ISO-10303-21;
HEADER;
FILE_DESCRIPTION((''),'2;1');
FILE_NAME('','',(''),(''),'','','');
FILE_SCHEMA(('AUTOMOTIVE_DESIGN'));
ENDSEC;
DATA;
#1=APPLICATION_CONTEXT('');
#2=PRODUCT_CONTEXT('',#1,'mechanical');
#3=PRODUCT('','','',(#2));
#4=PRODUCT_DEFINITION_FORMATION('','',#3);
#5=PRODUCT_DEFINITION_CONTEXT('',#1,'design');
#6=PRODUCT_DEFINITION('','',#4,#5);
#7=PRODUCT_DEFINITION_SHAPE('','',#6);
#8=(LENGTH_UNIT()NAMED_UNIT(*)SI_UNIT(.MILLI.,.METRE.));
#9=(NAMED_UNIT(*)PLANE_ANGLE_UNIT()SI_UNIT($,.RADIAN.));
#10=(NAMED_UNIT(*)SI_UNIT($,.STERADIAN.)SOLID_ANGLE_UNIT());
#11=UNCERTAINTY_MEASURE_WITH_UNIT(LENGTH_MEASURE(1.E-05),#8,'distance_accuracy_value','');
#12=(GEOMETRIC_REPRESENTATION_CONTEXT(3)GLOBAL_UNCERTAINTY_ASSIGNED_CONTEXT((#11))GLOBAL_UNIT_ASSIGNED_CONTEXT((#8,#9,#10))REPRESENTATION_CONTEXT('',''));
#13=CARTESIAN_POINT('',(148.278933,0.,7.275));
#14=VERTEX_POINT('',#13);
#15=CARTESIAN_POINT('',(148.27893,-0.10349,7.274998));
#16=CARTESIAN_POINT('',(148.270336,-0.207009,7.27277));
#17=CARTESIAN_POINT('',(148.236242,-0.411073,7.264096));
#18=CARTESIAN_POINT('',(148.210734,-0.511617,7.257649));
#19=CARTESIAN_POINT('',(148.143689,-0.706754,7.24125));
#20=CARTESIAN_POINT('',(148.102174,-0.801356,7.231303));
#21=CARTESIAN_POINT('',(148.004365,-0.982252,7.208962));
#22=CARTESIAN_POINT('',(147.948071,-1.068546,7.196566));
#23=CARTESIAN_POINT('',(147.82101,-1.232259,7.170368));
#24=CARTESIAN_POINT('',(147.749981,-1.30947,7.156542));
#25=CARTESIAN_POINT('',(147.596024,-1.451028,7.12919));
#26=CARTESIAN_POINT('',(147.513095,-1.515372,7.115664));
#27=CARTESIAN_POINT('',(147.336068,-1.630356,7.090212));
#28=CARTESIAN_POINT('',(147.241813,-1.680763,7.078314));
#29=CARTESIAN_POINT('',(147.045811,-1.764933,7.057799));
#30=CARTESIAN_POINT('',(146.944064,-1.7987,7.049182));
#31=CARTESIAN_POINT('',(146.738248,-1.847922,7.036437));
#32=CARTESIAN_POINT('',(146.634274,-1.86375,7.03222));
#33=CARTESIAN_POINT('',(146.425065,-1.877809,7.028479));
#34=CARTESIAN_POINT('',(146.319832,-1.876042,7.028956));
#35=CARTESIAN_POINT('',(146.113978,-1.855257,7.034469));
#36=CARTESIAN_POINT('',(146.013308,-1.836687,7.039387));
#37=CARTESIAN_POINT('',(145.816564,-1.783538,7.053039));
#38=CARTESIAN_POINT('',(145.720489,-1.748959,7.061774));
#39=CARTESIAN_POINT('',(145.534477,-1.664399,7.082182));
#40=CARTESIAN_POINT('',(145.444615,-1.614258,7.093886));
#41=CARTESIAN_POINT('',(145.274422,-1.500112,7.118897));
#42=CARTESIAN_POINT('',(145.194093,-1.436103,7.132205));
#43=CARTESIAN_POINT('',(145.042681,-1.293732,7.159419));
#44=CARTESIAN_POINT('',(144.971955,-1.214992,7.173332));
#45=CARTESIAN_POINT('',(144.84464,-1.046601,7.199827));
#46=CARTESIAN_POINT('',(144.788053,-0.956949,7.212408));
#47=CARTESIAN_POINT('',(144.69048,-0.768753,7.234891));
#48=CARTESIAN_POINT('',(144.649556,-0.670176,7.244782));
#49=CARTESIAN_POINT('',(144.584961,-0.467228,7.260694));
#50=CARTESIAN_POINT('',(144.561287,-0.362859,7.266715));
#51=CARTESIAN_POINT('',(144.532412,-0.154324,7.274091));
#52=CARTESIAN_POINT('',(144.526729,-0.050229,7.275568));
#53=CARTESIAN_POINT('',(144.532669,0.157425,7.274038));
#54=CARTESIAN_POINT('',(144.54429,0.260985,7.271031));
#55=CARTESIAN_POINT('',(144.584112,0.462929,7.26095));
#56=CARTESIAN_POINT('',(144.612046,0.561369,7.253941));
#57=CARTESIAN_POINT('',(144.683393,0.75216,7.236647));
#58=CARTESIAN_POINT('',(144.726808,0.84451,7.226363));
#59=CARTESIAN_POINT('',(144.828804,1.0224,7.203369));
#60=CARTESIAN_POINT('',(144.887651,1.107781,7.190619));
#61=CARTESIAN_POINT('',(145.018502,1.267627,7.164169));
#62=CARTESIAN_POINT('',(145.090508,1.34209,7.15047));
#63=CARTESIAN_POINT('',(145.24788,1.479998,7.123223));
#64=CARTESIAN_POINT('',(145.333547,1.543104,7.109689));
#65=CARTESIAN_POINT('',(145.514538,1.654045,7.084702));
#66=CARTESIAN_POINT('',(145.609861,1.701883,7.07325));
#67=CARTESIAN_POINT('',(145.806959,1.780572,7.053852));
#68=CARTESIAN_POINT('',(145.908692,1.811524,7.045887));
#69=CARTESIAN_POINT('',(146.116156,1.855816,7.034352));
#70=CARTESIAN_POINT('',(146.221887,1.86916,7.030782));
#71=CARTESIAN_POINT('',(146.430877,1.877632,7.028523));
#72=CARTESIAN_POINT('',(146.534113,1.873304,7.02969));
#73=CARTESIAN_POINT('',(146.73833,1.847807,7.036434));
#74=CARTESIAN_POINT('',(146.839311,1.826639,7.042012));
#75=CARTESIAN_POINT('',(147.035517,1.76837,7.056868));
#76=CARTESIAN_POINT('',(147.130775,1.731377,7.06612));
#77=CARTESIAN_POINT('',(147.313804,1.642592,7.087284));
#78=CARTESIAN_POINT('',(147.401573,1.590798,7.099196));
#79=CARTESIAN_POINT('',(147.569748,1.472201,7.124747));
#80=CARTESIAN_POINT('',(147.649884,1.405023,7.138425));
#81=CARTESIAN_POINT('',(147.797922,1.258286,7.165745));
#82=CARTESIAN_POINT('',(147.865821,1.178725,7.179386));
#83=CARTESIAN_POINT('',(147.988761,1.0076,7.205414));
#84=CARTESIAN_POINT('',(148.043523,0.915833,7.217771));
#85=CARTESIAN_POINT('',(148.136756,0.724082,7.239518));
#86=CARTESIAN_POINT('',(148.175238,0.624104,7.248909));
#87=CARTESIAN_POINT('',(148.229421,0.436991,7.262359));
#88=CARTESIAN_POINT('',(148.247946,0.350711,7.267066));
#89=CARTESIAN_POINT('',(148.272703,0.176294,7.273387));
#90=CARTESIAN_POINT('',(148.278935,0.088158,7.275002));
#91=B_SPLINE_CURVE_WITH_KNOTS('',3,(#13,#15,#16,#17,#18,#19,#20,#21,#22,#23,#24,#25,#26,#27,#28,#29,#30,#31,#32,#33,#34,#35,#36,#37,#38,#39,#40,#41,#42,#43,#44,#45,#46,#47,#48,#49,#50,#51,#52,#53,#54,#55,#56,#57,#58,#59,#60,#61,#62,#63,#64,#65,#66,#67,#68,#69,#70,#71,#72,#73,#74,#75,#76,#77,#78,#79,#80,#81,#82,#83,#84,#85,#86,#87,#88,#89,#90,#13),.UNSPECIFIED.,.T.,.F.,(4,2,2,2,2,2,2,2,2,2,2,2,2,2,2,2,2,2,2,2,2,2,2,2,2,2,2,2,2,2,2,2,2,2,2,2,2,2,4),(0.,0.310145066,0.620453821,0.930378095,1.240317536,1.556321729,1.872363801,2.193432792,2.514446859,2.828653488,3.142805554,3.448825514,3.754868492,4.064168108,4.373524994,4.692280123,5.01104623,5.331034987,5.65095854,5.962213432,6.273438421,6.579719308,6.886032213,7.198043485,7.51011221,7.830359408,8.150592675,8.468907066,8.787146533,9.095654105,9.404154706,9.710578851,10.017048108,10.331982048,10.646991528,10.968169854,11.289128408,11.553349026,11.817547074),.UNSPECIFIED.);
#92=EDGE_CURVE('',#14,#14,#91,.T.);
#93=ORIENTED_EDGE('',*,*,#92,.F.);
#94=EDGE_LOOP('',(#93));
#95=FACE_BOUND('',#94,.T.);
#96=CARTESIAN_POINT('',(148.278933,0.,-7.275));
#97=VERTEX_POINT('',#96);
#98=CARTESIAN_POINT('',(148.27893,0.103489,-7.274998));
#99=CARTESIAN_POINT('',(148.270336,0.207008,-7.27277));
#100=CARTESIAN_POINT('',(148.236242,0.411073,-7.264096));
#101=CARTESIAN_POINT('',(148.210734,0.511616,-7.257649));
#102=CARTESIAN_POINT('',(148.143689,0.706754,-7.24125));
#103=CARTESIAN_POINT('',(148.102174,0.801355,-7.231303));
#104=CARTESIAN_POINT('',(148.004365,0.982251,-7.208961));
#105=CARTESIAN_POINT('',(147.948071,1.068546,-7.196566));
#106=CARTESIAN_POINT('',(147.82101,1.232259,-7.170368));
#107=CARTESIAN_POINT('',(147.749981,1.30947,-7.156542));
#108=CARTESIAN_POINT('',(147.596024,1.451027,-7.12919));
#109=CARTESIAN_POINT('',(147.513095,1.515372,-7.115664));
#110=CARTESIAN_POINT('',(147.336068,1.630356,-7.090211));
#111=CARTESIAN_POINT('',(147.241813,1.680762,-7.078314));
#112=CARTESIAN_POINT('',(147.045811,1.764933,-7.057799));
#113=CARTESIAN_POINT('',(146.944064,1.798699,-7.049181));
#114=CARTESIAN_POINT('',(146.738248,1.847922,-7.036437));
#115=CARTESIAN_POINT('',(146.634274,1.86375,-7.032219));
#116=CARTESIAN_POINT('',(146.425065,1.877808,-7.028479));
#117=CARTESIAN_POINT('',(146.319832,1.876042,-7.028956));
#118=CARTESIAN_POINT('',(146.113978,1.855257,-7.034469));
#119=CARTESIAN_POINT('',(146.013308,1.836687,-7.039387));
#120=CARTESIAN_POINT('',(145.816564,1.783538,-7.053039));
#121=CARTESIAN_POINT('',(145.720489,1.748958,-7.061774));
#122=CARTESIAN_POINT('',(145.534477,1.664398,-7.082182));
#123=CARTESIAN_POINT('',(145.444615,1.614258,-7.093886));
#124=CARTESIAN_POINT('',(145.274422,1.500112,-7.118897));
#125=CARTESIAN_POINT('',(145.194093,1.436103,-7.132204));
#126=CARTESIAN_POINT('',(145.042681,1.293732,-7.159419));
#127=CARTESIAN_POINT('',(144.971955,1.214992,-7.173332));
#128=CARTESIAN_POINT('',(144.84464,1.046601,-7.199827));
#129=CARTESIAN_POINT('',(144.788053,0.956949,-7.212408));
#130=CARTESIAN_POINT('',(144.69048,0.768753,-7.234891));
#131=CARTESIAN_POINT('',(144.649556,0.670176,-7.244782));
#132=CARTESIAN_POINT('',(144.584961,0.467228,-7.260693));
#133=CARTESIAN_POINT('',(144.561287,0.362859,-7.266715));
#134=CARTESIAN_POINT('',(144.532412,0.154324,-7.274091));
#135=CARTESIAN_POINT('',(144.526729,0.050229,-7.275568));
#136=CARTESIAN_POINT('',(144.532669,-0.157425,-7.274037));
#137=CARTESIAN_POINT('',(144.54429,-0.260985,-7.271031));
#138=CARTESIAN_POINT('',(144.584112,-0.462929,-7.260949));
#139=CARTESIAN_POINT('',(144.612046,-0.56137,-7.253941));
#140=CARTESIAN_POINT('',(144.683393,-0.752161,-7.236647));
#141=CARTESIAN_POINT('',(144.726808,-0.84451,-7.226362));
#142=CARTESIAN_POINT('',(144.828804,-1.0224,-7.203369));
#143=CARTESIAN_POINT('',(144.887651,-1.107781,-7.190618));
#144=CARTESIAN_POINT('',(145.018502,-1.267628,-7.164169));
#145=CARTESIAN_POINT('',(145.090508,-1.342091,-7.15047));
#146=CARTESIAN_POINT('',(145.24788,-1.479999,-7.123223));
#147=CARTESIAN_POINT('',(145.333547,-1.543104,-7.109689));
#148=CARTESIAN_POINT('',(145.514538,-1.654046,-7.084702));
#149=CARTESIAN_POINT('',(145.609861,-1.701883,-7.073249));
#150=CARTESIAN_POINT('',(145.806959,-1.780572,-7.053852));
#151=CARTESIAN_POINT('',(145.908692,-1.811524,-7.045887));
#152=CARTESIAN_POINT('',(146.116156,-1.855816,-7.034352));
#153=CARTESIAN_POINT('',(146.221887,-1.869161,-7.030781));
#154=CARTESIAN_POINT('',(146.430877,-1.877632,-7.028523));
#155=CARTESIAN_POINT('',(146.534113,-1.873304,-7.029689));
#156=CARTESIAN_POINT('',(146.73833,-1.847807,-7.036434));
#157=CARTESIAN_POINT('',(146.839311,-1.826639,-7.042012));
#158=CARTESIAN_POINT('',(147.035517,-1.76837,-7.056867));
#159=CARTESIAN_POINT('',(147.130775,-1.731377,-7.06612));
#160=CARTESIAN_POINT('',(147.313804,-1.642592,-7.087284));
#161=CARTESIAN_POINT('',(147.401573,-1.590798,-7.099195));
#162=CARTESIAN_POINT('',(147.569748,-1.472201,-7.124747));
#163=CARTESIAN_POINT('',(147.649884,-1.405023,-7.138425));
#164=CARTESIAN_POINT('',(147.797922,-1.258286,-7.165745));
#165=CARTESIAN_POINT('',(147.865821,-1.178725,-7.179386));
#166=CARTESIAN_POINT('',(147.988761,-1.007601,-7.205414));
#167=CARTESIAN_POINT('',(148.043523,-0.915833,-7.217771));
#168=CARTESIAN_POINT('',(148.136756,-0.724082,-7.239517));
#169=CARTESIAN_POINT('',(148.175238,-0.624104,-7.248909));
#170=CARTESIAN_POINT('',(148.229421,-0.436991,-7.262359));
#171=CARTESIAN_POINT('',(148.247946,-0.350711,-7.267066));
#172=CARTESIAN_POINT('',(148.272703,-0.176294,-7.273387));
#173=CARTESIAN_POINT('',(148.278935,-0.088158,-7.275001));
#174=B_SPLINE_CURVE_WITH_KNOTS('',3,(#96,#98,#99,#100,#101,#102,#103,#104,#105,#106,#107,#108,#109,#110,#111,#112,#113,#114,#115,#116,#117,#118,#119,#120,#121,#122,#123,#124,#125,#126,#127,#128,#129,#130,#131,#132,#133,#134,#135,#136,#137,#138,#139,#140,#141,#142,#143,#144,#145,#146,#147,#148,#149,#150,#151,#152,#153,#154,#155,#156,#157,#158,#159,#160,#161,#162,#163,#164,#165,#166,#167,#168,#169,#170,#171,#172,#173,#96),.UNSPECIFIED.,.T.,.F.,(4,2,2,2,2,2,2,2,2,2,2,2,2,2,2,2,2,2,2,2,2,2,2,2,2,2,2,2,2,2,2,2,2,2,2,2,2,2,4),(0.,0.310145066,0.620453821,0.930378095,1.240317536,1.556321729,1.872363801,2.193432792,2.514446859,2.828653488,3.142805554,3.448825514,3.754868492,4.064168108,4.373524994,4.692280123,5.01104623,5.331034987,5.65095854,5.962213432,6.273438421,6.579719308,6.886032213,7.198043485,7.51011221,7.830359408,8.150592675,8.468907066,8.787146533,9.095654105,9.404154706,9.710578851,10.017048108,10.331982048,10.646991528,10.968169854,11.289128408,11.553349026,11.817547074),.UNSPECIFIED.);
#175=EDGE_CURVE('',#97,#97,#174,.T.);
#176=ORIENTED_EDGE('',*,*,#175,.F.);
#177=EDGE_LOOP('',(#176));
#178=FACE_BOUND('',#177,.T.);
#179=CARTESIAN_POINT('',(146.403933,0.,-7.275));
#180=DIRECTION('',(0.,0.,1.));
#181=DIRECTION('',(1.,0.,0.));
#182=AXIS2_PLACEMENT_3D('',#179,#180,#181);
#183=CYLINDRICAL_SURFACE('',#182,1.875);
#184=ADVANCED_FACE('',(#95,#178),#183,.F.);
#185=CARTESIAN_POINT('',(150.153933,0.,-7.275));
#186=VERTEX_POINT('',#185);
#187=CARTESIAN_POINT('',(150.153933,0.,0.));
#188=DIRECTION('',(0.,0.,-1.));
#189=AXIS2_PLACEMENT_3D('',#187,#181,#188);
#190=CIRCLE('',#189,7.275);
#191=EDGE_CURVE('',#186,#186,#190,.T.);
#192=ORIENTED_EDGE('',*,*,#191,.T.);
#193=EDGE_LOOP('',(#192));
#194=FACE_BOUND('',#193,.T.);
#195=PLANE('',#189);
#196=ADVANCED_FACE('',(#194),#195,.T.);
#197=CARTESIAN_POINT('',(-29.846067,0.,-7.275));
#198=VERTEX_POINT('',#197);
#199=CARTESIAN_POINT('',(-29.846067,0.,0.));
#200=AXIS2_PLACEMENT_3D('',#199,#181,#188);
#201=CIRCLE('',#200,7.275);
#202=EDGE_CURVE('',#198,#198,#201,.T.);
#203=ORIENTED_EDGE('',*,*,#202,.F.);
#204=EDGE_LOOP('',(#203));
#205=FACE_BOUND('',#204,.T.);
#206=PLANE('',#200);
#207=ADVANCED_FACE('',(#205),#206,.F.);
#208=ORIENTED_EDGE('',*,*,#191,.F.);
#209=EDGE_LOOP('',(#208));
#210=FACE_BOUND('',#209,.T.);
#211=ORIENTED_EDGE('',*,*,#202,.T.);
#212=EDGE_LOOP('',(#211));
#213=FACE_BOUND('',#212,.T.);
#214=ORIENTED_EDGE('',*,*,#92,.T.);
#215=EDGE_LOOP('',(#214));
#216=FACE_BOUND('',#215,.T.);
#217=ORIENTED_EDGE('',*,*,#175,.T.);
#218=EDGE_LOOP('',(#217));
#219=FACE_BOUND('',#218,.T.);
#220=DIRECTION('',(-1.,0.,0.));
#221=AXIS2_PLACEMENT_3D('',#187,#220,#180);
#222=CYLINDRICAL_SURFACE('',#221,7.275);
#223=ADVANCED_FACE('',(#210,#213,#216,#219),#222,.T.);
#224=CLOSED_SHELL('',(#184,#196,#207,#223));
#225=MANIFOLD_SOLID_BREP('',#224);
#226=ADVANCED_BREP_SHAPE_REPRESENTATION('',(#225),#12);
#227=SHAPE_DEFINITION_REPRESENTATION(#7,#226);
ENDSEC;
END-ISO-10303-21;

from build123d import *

# Parameters (mm, degrees)
SKETCH1_R               = 4.85
BOSS_EXTRUDE1_DEPTH     = 120
CUT_EXTRUDE1_DEPTH      = 121.195860994
CUT_EXTRUDE1_DEPTH_BACK = 121.195860994
SKETCH2_R               = 1.25
SCALE1_SCALE            = 1.5


with BuildPart() as part:
    # Sketch1 → Boss-Extrude1 (new body)
    with BuildSketch(Plane(origin=(0, 0, 0), x_dir=(0, 0, -1), z_dir=(1, 0, 0))):
        Circle(SKETCH1_R)
    extrude(amount=BOSS_EXTRUDE1_DEPTH)

    # Sketch2 → Cut-Extrude1 (cut, two sides: drawn at the far end of the back side and taken through both)
    with BuildSketch(Plane.XY.offset(-CUT_EXTRUDE1_DEPTH_BACK)):
        with Locations((117.5, 0)):
            Circle(SKETCH2_R)
    extrude(amount=CUT_EXTRUDE1_DEPTH + CUT_EXTRUDE1_DEPTH_BACK, mode=Mode.SUBTRACT)


with BuildPart() as part_1:
    # Scale1: scaled about (59.692221028, 5e-09, 2.22e-07)
    add(part.part.scale(SCALE1_SCALE).moved(Location((-29.846110514, -3e-09, -1.11e-07))))


solid = part_1.part
